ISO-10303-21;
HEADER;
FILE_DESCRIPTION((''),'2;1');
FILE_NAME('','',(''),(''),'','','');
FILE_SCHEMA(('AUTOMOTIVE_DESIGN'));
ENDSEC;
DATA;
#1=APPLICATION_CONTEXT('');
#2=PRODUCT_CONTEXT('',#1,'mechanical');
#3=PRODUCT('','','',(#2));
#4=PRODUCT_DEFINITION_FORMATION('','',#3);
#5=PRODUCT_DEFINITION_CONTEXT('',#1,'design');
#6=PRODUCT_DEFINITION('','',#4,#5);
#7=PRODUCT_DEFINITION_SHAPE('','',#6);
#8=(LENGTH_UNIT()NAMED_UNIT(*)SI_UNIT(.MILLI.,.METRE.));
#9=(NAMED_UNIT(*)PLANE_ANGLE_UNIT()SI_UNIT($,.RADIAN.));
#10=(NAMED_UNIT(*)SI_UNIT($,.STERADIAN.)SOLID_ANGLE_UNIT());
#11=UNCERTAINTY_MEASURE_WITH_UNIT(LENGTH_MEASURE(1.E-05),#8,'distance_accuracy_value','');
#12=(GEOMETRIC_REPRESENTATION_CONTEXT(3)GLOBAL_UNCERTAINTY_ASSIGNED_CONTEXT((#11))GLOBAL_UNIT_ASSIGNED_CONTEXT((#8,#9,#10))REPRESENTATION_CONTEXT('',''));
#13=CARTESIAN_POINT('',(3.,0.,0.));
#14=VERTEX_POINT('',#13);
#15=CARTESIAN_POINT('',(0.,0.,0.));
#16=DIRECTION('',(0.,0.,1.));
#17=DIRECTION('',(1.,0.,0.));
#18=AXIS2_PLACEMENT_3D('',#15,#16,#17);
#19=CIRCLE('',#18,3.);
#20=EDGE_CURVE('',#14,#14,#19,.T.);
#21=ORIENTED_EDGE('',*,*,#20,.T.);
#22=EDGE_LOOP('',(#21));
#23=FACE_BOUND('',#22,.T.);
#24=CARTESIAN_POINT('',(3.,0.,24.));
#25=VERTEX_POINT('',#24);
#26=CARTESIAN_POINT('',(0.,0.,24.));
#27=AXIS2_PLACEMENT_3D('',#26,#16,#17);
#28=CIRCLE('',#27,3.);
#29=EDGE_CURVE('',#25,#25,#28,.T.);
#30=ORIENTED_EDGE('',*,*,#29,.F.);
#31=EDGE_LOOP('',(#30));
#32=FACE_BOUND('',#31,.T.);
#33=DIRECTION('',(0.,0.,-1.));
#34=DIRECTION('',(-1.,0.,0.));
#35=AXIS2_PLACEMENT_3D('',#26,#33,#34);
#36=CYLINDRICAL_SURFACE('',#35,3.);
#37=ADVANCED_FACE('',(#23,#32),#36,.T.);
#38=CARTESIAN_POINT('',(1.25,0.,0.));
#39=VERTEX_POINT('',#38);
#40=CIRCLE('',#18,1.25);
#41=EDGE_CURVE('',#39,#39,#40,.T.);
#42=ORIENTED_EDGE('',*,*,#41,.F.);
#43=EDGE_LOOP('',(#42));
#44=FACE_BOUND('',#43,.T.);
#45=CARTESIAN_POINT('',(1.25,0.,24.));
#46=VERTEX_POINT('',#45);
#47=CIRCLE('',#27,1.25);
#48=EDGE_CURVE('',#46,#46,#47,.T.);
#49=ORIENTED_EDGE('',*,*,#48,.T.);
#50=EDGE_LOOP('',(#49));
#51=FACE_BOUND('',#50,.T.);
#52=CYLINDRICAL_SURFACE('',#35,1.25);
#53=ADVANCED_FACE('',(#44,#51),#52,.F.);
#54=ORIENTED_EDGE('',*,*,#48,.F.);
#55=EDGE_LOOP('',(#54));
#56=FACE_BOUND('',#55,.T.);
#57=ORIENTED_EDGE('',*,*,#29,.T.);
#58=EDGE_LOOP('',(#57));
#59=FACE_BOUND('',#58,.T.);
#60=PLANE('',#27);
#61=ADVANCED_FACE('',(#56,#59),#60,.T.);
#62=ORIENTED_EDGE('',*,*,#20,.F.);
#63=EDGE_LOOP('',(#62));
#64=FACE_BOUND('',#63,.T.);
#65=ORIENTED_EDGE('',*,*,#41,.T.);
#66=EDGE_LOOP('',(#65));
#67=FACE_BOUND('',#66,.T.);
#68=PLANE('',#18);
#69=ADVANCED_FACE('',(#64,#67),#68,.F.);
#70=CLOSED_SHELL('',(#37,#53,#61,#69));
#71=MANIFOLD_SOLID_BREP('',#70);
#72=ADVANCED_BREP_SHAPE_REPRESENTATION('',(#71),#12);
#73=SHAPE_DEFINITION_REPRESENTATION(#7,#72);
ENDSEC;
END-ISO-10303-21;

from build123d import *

# Parameters (mm, degrees)
SKETCH_1_R      = 3
SKETCH_1_R_2    = 1.25
EXTRUDE_1_DEPTH = 24


with BuildPart() as part:
    # ｽｹｯﾁ1 → ﾎﾞｽ - 押し出し1 (new body)
    with BuildSketch(Plane.XY):
        Circle(SKETCH_1_R)
        Circle(SKETCH_1_R_2, mode=Mode.SUBTRACT)
    extrude(amount=EXTRUDE_1_DEPTH)


solid = part.part
